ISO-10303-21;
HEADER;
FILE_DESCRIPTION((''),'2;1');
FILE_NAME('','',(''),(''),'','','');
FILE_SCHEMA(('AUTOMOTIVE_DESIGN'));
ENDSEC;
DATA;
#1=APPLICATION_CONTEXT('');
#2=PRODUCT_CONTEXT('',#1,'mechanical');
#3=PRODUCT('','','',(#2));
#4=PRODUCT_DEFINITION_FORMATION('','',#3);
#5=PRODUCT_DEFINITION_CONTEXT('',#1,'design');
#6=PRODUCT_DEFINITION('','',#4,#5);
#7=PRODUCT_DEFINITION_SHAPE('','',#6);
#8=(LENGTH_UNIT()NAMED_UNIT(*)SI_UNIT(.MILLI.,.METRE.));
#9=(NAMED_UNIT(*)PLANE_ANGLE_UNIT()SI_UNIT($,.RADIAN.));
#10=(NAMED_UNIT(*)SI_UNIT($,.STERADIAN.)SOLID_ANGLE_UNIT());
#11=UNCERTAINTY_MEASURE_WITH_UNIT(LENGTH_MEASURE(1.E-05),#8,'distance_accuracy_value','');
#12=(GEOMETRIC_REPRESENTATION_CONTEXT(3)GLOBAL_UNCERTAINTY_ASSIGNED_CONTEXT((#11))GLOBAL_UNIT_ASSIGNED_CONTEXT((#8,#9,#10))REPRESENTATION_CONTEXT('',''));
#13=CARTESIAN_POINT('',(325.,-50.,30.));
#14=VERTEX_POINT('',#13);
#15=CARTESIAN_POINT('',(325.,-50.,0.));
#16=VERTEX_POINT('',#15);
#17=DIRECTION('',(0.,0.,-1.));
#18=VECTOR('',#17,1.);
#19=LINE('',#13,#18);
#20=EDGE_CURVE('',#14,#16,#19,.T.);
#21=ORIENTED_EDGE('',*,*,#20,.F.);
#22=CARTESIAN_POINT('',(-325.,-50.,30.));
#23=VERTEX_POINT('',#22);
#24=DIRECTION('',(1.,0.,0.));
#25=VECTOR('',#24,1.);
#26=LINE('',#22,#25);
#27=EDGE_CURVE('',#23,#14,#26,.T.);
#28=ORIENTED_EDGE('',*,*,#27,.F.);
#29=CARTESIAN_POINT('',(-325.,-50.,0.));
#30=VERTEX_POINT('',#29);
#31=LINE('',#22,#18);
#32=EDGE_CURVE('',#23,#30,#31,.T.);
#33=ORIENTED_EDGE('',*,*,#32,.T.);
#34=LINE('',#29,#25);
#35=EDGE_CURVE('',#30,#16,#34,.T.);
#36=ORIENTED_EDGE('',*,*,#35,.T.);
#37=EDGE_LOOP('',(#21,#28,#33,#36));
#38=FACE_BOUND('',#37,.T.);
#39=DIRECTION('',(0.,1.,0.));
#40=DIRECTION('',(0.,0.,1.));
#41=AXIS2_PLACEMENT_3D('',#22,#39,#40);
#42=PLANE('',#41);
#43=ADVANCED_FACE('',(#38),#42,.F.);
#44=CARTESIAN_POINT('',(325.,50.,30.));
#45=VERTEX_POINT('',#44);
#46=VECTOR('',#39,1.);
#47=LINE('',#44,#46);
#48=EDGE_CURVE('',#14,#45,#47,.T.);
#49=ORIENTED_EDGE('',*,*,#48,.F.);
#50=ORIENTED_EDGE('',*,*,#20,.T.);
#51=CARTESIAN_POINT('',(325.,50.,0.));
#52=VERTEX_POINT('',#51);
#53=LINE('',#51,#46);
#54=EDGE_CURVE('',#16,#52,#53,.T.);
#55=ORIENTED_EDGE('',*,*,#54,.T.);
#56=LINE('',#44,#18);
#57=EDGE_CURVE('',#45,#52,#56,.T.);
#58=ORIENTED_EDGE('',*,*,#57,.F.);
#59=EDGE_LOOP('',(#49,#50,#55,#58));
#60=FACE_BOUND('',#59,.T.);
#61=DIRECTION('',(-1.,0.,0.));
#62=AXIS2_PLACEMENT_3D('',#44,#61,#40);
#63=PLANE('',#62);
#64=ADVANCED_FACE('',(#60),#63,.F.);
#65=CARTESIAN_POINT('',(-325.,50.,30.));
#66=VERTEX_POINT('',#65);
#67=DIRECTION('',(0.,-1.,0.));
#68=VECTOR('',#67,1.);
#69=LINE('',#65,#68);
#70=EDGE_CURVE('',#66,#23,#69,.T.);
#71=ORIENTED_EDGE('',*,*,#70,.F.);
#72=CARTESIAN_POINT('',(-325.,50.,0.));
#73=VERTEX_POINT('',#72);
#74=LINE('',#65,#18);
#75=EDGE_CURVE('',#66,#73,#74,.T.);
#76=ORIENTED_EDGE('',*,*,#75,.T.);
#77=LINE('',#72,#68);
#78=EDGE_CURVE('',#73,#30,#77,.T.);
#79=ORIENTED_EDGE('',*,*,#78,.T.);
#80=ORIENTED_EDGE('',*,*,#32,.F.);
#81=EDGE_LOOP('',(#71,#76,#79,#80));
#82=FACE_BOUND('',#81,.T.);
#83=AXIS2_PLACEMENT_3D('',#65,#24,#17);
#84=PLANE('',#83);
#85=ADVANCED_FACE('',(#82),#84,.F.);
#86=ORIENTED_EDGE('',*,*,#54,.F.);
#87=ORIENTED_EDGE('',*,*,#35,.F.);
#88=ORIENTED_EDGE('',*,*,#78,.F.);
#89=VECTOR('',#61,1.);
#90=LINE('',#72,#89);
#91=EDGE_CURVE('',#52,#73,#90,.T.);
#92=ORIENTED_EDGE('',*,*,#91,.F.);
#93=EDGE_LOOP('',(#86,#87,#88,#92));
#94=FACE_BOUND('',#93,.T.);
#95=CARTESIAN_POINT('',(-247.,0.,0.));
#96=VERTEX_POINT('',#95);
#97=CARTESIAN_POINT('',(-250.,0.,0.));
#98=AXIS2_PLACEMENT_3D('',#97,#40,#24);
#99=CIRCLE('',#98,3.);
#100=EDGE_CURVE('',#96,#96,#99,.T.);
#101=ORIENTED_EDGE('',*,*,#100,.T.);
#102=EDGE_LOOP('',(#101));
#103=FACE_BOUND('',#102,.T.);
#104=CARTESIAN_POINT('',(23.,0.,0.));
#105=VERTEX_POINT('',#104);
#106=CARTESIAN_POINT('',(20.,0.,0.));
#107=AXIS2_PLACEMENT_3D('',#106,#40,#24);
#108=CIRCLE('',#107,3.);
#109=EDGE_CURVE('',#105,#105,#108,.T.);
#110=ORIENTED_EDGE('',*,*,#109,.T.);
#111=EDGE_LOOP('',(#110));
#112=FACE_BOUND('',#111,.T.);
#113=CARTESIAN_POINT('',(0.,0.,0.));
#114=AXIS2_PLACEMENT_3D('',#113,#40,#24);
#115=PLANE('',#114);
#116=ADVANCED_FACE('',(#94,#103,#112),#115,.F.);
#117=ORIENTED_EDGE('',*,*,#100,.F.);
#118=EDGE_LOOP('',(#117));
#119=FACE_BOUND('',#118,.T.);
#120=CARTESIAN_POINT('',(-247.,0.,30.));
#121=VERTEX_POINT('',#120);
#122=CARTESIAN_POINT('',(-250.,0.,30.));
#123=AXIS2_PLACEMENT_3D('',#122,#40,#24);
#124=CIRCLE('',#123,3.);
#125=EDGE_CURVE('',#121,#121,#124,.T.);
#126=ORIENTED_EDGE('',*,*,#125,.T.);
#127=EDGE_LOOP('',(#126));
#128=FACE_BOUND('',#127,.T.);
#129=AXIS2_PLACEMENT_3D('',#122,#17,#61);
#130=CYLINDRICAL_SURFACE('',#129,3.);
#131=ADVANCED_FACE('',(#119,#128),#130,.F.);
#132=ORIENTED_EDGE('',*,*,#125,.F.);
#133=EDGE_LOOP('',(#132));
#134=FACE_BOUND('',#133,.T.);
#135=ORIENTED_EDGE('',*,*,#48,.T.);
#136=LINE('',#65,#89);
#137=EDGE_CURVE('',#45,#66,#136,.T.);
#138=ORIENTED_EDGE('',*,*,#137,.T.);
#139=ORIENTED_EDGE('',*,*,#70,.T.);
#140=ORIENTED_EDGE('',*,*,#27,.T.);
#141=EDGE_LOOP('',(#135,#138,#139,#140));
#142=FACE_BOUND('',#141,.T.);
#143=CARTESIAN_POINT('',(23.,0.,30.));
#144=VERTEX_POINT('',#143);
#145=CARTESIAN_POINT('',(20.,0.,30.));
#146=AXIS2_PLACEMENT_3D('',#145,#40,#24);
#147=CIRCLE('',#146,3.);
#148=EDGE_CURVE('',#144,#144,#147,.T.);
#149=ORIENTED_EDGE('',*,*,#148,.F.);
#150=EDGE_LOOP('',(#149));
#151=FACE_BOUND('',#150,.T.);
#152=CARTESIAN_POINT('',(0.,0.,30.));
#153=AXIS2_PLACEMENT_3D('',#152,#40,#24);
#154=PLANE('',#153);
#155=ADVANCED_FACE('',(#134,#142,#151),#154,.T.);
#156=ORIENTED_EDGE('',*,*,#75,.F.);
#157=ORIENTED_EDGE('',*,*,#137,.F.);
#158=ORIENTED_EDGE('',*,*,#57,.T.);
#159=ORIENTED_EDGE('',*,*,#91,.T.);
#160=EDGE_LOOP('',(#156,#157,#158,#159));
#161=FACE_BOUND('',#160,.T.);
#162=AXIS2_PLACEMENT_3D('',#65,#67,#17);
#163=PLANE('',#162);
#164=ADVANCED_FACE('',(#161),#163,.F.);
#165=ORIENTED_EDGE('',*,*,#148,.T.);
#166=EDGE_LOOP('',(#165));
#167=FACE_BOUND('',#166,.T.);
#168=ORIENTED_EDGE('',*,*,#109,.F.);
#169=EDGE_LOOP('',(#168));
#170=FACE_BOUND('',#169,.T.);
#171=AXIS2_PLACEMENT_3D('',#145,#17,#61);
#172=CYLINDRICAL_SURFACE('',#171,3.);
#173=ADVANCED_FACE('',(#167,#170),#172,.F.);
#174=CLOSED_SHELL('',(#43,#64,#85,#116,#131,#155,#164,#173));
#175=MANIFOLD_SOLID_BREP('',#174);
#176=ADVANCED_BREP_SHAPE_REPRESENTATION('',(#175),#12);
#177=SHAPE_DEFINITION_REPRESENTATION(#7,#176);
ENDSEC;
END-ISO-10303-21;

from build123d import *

# Parameters (mm, degrees)
SKETCH1_W           = 650
SKETCH1_H           = 100
BOSS_EXTRUDE1_DEPTH = 30
SKETCH2_R           = 3
CUT_EXTRUDE1_DEPTH  = 331.189339622


with BuildPart() as part:
    # Sketch1 → Boss-Extrude1 (new body)
    with BuildSketch(Plane.XY):
        Rectangle(SKETCH1_W, SKETCH1_H)
    extrude(amount=BOSS_EXTRUDE1_DEPTH)

    # Sketch2 → Cut-Extrude1 (cut, through all)
    with BuildSketch(Plane.XY):
        with Locations((20, 0)):
            Circle(SKETCH2_R)
        with Locations((-250, 0)):
            Circle(SKETCH2_R)
    extrude(amount=CUT_EXTRUDE1_DEPTH, mode=Mode.SUBTRACT)


solid = part.part
